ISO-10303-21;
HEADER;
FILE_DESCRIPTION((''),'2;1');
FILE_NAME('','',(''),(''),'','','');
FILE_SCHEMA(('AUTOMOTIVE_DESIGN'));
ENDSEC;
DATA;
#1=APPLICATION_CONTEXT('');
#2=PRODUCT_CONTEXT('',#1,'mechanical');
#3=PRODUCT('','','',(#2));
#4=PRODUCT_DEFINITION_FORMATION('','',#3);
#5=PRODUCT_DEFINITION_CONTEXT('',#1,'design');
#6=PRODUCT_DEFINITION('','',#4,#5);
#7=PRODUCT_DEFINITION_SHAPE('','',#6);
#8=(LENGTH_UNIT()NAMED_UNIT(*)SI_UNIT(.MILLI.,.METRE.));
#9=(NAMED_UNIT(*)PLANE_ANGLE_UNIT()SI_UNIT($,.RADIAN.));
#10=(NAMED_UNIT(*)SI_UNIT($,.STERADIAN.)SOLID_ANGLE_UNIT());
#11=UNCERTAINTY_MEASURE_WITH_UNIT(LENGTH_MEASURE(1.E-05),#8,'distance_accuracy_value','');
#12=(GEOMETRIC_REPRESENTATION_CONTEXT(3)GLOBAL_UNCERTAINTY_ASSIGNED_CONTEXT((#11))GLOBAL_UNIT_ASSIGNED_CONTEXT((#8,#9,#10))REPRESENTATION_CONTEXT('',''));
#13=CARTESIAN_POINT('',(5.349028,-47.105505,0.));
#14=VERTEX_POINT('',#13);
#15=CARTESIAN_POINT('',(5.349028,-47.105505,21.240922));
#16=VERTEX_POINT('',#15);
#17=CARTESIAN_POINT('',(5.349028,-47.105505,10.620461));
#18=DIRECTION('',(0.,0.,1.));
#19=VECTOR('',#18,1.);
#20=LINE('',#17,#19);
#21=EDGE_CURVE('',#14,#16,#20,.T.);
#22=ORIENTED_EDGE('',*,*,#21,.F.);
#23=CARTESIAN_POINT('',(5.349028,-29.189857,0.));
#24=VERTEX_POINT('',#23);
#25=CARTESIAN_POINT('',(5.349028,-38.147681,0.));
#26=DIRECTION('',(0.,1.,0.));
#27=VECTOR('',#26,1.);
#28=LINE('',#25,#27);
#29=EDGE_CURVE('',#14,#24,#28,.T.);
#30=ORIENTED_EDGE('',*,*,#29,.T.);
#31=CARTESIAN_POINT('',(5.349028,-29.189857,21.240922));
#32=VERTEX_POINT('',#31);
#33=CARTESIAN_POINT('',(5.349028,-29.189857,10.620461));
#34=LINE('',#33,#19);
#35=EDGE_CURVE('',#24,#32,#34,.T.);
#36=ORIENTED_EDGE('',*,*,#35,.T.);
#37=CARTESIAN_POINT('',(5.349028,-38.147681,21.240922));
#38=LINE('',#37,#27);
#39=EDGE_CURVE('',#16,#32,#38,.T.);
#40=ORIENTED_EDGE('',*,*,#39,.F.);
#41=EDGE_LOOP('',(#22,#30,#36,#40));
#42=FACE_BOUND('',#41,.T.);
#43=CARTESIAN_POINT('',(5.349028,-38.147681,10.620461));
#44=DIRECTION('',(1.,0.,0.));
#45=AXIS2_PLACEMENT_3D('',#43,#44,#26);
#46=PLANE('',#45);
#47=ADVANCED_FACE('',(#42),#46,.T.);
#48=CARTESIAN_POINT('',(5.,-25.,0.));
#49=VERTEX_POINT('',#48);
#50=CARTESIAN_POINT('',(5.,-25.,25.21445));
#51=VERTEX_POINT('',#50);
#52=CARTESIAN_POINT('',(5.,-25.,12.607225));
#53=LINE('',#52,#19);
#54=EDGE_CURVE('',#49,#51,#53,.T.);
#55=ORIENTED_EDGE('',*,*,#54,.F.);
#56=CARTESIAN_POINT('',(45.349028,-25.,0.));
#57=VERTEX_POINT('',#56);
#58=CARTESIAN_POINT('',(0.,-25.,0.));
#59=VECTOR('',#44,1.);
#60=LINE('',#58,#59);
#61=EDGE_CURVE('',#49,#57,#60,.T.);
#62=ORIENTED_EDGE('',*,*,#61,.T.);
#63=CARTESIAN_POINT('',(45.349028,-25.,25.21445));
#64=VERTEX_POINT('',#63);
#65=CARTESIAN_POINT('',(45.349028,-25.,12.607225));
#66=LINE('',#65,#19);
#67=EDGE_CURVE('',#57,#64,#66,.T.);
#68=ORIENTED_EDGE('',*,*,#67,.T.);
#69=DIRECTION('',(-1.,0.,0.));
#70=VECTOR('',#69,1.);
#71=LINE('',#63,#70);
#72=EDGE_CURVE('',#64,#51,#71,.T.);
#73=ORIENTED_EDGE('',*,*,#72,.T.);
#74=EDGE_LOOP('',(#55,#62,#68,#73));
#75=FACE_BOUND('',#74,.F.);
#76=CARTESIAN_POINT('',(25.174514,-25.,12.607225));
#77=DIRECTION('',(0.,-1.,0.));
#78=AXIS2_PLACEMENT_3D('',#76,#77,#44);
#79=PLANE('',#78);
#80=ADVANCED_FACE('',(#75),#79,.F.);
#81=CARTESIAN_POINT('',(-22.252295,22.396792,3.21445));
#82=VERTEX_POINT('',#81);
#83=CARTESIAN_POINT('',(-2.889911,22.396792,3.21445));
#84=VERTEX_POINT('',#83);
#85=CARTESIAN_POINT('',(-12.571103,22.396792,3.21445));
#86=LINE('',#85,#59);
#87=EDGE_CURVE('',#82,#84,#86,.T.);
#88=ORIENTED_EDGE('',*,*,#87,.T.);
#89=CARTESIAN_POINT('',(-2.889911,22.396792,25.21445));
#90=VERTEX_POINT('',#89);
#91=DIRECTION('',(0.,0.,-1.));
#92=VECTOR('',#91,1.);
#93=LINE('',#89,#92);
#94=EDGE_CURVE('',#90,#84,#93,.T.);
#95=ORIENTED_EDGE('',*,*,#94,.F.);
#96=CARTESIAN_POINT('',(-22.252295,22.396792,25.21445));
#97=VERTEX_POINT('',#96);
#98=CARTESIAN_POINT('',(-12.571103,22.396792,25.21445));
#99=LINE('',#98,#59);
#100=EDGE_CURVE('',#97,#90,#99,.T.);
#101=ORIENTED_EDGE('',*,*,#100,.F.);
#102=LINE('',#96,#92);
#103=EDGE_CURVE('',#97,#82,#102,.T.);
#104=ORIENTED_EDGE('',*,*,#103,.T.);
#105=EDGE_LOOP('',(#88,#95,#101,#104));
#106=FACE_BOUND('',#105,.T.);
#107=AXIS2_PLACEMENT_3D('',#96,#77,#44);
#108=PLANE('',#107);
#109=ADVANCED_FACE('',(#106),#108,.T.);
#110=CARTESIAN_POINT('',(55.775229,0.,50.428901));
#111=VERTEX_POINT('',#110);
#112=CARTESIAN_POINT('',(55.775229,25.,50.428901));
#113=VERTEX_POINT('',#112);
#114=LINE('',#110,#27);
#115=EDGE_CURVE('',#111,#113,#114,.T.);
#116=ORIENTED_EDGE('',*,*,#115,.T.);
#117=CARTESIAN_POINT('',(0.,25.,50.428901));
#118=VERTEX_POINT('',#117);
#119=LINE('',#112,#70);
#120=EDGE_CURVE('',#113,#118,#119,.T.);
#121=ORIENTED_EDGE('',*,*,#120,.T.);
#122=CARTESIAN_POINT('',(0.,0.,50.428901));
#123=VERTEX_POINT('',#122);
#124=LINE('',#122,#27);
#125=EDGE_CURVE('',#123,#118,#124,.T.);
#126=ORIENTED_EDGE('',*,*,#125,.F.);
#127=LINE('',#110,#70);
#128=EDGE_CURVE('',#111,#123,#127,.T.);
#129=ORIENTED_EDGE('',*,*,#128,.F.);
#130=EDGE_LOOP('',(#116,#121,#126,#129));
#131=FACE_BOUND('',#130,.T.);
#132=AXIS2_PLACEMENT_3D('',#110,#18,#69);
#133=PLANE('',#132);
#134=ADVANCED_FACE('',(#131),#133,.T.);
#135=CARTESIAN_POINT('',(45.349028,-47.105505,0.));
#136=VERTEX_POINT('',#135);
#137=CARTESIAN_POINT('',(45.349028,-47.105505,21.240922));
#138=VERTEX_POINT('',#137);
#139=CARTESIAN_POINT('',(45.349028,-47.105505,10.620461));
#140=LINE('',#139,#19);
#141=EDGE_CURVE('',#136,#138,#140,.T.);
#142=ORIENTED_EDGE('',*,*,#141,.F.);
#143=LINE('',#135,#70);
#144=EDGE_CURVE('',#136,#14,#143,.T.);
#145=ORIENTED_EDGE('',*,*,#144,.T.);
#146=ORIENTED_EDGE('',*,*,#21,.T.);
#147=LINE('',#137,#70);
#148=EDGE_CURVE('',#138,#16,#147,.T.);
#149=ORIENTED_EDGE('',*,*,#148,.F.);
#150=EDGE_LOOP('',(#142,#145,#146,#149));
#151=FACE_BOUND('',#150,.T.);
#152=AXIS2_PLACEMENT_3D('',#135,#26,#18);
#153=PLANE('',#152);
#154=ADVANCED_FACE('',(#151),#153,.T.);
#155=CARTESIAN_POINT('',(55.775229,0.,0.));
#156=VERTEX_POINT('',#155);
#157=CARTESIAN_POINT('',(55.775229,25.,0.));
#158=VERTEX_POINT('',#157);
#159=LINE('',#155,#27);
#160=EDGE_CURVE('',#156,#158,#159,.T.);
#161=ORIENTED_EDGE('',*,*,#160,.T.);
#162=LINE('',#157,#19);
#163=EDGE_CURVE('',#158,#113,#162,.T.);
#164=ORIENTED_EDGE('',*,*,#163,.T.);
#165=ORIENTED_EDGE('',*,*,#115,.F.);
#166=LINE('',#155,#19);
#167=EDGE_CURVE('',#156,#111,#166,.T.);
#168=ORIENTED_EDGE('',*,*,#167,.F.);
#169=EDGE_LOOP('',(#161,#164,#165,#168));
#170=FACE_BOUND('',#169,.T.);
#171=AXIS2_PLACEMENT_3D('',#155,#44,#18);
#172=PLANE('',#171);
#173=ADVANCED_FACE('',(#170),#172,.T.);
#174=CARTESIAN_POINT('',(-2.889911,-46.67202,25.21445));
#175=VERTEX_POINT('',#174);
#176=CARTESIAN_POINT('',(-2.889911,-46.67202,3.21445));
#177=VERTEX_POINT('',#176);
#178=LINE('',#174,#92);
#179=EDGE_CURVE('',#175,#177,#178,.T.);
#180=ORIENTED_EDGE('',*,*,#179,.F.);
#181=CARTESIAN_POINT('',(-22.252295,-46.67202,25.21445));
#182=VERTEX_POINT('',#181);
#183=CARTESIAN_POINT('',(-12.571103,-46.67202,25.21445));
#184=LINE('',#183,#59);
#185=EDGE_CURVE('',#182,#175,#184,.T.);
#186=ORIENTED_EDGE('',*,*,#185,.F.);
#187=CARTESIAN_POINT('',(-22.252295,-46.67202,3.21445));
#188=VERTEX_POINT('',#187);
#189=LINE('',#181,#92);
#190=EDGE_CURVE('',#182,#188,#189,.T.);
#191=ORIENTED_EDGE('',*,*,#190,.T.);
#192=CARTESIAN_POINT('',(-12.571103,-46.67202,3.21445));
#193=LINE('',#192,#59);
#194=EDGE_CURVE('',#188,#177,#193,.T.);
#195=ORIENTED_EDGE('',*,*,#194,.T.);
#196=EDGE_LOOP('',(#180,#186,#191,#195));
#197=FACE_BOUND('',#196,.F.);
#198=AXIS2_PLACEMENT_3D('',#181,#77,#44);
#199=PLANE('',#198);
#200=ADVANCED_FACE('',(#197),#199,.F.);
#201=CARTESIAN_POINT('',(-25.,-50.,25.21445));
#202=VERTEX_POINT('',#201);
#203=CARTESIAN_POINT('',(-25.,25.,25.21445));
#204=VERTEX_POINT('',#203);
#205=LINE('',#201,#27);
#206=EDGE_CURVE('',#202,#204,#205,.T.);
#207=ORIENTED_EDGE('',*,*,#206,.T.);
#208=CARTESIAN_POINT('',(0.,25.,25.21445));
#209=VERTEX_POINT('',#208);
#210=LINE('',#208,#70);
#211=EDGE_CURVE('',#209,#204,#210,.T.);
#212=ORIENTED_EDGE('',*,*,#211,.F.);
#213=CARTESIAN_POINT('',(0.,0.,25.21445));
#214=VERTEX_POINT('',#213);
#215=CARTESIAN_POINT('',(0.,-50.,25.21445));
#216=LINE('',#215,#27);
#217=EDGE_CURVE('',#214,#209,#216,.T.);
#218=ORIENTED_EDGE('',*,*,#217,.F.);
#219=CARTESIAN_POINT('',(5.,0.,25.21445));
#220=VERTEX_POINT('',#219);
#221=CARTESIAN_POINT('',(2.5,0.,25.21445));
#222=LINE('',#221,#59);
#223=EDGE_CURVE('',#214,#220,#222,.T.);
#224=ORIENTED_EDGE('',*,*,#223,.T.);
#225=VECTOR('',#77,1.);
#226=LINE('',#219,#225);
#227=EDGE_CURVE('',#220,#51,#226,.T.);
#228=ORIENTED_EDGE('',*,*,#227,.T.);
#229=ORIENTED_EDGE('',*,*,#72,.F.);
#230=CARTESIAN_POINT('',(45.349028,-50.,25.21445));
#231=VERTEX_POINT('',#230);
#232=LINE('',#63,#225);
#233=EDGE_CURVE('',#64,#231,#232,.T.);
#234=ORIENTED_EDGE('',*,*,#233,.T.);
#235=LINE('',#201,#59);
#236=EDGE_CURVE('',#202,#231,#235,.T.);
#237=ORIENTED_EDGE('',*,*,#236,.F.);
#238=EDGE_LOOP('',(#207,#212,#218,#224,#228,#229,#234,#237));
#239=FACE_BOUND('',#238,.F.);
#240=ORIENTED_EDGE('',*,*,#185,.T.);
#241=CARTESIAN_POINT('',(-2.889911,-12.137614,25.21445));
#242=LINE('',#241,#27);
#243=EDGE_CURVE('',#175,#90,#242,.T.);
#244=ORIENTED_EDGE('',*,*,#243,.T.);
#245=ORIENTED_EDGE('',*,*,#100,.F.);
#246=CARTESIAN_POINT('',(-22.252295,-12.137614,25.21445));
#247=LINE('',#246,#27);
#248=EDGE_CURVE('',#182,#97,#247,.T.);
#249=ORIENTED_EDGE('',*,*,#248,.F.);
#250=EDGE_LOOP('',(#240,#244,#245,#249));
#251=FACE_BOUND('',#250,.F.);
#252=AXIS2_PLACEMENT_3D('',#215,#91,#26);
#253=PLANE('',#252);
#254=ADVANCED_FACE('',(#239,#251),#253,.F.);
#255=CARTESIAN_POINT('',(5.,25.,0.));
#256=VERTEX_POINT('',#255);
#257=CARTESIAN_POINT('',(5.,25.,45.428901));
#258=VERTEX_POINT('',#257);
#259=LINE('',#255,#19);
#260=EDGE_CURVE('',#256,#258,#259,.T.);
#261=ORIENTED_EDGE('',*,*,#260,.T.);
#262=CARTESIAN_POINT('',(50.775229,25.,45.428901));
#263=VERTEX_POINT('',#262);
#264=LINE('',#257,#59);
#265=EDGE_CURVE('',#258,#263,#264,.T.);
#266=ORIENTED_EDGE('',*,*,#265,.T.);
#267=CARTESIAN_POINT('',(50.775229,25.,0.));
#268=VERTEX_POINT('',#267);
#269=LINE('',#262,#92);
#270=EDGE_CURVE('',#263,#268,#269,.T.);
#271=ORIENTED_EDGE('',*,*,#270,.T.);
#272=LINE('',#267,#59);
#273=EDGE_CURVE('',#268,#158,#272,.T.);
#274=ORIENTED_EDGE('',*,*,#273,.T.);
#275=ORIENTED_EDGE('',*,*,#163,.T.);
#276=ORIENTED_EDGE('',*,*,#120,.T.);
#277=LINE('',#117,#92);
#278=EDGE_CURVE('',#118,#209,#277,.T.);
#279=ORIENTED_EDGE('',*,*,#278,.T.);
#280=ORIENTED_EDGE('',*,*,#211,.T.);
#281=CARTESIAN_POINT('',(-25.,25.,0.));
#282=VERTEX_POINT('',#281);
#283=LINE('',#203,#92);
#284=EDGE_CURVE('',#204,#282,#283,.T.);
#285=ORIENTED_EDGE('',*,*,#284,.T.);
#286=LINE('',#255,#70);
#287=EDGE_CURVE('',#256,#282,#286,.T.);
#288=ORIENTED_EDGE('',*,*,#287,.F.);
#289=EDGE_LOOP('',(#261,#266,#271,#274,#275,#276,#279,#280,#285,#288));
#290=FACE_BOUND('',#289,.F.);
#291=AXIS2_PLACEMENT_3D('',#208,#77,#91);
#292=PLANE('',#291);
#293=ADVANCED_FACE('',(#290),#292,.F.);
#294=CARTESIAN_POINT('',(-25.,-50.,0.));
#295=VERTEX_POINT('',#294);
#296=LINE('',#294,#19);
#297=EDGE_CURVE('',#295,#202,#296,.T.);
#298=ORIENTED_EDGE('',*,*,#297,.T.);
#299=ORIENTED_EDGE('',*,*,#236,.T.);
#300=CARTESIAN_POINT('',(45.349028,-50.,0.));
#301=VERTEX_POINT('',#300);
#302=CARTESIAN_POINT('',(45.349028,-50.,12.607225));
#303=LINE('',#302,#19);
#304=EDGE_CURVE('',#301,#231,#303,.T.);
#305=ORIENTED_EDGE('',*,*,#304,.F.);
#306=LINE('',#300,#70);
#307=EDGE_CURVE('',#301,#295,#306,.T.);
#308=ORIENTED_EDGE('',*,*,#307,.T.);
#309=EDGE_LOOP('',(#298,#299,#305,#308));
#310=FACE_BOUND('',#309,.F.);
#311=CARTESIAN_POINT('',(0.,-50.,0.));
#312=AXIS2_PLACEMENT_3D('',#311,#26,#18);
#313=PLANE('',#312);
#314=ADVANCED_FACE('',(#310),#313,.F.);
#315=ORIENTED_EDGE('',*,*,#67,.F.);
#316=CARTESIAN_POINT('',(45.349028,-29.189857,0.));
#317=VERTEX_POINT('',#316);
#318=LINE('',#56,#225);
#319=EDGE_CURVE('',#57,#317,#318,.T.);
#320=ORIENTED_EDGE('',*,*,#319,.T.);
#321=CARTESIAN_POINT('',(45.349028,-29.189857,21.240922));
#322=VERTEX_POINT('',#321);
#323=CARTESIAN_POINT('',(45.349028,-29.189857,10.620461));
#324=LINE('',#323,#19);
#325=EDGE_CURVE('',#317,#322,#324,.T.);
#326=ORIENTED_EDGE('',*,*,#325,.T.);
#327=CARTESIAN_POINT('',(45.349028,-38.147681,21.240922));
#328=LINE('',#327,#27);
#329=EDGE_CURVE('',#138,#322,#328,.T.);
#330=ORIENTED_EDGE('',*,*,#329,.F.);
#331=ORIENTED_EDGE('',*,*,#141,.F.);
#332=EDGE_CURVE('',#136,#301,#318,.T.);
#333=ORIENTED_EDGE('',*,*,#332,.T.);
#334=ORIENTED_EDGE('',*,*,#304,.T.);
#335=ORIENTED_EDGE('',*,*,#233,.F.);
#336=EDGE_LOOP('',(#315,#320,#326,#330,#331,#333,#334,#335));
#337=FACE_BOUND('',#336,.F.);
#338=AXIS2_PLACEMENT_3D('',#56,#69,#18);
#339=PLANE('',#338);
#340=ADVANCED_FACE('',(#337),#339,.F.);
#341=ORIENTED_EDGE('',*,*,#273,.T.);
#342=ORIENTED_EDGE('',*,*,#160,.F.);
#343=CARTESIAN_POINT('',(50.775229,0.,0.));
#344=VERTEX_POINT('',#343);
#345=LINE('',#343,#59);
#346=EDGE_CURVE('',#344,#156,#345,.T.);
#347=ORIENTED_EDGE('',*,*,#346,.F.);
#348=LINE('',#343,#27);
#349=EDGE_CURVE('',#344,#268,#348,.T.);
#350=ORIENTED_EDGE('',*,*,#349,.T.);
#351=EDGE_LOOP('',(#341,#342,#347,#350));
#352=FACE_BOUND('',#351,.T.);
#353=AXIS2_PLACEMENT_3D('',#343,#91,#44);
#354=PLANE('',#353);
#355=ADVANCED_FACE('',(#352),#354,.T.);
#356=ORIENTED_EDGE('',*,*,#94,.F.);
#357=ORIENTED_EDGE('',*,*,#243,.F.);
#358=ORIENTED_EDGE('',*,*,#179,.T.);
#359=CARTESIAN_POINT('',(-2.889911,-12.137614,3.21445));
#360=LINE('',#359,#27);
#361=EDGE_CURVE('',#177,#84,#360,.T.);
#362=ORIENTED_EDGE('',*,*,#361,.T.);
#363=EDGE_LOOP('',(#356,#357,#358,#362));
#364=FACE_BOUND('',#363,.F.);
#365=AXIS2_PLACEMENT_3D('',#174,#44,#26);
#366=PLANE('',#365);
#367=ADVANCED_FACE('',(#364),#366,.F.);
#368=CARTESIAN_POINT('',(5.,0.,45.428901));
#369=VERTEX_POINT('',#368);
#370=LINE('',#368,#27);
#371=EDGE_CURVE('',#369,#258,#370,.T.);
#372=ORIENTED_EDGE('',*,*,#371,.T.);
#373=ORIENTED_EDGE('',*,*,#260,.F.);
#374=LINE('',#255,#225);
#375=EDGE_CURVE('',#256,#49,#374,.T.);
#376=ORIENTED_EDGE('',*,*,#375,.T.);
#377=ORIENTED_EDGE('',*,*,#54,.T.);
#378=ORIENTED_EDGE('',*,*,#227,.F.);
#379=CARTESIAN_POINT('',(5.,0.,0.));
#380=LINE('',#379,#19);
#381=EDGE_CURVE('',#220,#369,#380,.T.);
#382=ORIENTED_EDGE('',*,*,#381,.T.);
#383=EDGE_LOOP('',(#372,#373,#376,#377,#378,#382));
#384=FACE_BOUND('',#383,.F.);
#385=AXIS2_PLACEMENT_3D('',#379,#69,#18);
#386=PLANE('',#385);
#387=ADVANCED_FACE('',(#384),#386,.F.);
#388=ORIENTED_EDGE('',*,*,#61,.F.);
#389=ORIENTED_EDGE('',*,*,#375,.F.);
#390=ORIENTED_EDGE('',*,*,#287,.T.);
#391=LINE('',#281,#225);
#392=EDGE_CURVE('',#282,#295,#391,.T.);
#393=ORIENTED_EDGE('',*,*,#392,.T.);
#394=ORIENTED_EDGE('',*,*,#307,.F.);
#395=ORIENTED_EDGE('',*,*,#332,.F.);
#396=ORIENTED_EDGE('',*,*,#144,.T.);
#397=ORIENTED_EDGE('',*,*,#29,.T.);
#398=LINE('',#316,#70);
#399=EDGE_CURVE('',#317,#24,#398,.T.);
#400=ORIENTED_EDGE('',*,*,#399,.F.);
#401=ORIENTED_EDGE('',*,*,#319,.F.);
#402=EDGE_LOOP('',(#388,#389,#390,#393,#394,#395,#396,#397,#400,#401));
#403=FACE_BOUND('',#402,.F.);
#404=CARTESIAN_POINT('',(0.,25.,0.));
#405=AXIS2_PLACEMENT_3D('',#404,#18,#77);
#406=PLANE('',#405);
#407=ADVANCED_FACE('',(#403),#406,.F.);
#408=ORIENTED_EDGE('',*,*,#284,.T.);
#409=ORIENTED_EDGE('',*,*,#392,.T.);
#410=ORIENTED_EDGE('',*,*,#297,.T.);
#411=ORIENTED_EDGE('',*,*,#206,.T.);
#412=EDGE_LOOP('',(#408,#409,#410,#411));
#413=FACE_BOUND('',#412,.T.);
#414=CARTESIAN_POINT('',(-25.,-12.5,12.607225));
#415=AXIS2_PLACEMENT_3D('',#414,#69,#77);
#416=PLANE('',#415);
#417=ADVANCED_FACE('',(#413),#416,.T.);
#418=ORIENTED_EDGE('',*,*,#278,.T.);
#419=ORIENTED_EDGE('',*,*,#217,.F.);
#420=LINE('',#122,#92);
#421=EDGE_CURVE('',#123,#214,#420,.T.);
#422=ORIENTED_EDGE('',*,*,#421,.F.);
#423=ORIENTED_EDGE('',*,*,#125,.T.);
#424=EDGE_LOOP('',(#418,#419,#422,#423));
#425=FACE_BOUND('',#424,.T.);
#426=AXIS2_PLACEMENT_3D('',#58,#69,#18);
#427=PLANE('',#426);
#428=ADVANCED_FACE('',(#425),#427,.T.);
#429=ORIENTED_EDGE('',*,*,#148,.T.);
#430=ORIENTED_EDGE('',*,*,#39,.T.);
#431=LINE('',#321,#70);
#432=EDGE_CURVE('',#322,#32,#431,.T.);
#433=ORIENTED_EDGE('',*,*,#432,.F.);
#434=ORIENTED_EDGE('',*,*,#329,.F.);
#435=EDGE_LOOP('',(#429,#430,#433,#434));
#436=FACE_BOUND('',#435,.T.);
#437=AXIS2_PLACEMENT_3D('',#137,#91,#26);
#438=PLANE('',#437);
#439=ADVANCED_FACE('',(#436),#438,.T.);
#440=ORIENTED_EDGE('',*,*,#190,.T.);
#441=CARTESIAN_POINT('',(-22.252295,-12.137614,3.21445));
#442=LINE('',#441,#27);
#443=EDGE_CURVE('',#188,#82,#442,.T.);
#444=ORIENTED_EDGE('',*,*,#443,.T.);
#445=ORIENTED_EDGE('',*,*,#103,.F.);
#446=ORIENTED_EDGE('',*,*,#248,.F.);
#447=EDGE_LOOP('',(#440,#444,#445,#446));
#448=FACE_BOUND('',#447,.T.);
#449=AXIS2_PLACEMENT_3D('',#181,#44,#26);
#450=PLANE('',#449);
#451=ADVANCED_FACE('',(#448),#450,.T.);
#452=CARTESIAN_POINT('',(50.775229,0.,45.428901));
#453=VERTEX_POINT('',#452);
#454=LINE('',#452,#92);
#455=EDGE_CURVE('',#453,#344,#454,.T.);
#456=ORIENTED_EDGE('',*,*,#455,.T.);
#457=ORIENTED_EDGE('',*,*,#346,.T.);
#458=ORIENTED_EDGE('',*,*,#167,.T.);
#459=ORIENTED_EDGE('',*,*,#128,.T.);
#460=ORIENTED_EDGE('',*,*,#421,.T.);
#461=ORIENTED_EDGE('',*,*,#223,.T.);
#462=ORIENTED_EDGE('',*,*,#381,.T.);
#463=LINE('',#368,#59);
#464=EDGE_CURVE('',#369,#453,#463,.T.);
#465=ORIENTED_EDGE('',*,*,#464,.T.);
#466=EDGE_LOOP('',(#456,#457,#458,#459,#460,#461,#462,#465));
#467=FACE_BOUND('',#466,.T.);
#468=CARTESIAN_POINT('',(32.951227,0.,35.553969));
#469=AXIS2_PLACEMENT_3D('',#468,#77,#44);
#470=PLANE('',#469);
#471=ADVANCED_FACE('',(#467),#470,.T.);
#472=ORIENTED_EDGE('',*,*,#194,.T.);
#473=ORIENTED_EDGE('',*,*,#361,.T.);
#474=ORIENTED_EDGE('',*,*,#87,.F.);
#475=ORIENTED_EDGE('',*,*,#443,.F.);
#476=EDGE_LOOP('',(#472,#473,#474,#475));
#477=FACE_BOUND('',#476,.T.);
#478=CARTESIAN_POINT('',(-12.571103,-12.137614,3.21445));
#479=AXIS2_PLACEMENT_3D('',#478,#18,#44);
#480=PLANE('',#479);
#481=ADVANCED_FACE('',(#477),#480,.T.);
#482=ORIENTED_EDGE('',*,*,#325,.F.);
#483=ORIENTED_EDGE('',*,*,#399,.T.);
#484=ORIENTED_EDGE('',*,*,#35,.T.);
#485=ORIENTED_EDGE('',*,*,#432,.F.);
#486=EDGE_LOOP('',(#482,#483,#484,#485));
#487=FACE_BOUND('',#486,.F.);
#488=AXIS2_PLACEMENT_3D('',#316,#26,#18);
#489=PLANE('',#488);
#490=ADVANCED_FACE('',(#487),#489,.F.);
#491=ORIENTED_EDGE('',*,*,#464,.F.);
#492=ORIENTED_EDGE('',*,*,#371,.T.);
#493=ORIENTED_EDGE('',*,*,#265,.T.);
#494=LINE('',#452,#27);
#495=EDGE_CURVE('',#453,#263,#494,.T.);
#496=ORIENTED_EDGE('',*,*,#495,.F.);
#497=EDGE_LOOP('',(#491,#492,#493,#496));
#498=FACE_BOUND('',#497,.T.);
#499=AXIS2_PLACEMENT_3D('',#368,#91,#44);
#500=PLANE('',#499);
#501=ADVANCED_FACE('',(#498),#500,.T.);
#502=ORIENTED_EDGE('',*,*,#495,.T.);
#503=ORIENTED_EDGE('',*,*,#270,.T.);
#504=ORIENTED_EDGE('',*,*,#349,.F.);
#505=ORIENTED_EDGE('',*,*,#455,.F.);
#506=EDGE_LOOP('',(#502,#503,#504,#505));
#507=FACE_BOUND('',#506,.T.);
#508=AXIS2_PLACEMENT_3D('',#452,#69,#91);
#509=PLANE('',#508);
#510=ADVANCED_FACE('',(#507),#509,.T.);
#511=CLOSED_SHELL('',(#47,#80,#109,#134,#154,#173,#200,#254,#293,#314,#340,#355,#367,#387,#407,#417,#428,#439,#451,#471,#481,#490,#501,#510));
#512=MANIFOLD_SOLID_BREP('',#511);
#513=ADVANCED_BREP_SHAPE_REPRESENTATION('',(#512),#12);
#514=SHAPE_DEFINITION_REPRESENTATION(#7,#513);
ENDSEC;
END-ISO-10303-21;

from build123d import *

# Parameters (mm, degrees)
F0_W      = 5
F0_H      = 25.21445
F1_DEPTH  = 25
F2_DEPTH  = 25
F3_W      = 40.349028
F3_H      = 25.21445
F3_W_2    = 5
F4_DEPTH  = 25
F6_DEPTH  = 25
F7_W      = 19.362385
F7_H      = 69.068812
F8_DEPTH  = 22
F9_W      = 17.915649
F9_H      = 21.240922
F10_DEPTH = 40


with BuildPart() as f1:
    # F0 (on Front) → F1 (new body)
    with BuildSketch(Plane.XZ):
        Polygon((0, 50.428901), (0, 25.21445), (5, 25.21445), (5, 45.428901), (50.775229, 45.428901), (50.775229, 0), (55.775229, 0), (55.775229, 50.428901), align=None)
        with Locations((2.5, 12.607225)):
            Rectangle(F0_W, F0_H)
    extrude(amount=-F1_DEPTH)

    # F0 (on Front) → F2 (join)
    with BuildSketch(Plane.XZ):
        with Locations((2.5, 12.607225)):
            Rectangle(F0_W, F0_H)
    extrude(amount=F2_DEPTH)

    # F3 (on face) → F4 (join)
    with BuildSketch(Plane.XZ.offset(25)):
        with Locations((25.174514, 12.607225)):
            Rectangle(F3_W, F3_H)
        with Locations((2.5, 12.607225)):
            Rectangle(F3_W_2, F3_H)
    extrude(amount=F4_DEPTH)

    # F5 (on face) → F6 (join)
    with BuildSketch(Plane(origin=(0, 0, 0), x_dir=(0, -1, 0), z_dir=(-1, 0, 0))):
        Polygon((-25, 25.21445), (-25, 0), (50, 0), (50, 25.21445), (0, 25.21445), align=None)
    extrude(amount=F6_DEPTH)

    # F7 (on face) → F8 (cut)
    with BuildSketch(Plane.XY.offset(25.21445)):
        with Locations((-12.571103, -12.137614)):
            Rectangle(F7_W, F7_H)
    extrude(amount=-F8_DEPTH, mode=Mode.SUBTRACT)

    # F9 (on face) → F10 (cut)
    with BuildSketch(Plane.YZ.offset(45.349028)):
        with Locations((-38.147681, 10.620461)):
            Rectangle(F9_W, F9_H)
    extrude(amount=-F10_DEPTH, mode=Mode.SUBTRACT)


solid = f1.part
